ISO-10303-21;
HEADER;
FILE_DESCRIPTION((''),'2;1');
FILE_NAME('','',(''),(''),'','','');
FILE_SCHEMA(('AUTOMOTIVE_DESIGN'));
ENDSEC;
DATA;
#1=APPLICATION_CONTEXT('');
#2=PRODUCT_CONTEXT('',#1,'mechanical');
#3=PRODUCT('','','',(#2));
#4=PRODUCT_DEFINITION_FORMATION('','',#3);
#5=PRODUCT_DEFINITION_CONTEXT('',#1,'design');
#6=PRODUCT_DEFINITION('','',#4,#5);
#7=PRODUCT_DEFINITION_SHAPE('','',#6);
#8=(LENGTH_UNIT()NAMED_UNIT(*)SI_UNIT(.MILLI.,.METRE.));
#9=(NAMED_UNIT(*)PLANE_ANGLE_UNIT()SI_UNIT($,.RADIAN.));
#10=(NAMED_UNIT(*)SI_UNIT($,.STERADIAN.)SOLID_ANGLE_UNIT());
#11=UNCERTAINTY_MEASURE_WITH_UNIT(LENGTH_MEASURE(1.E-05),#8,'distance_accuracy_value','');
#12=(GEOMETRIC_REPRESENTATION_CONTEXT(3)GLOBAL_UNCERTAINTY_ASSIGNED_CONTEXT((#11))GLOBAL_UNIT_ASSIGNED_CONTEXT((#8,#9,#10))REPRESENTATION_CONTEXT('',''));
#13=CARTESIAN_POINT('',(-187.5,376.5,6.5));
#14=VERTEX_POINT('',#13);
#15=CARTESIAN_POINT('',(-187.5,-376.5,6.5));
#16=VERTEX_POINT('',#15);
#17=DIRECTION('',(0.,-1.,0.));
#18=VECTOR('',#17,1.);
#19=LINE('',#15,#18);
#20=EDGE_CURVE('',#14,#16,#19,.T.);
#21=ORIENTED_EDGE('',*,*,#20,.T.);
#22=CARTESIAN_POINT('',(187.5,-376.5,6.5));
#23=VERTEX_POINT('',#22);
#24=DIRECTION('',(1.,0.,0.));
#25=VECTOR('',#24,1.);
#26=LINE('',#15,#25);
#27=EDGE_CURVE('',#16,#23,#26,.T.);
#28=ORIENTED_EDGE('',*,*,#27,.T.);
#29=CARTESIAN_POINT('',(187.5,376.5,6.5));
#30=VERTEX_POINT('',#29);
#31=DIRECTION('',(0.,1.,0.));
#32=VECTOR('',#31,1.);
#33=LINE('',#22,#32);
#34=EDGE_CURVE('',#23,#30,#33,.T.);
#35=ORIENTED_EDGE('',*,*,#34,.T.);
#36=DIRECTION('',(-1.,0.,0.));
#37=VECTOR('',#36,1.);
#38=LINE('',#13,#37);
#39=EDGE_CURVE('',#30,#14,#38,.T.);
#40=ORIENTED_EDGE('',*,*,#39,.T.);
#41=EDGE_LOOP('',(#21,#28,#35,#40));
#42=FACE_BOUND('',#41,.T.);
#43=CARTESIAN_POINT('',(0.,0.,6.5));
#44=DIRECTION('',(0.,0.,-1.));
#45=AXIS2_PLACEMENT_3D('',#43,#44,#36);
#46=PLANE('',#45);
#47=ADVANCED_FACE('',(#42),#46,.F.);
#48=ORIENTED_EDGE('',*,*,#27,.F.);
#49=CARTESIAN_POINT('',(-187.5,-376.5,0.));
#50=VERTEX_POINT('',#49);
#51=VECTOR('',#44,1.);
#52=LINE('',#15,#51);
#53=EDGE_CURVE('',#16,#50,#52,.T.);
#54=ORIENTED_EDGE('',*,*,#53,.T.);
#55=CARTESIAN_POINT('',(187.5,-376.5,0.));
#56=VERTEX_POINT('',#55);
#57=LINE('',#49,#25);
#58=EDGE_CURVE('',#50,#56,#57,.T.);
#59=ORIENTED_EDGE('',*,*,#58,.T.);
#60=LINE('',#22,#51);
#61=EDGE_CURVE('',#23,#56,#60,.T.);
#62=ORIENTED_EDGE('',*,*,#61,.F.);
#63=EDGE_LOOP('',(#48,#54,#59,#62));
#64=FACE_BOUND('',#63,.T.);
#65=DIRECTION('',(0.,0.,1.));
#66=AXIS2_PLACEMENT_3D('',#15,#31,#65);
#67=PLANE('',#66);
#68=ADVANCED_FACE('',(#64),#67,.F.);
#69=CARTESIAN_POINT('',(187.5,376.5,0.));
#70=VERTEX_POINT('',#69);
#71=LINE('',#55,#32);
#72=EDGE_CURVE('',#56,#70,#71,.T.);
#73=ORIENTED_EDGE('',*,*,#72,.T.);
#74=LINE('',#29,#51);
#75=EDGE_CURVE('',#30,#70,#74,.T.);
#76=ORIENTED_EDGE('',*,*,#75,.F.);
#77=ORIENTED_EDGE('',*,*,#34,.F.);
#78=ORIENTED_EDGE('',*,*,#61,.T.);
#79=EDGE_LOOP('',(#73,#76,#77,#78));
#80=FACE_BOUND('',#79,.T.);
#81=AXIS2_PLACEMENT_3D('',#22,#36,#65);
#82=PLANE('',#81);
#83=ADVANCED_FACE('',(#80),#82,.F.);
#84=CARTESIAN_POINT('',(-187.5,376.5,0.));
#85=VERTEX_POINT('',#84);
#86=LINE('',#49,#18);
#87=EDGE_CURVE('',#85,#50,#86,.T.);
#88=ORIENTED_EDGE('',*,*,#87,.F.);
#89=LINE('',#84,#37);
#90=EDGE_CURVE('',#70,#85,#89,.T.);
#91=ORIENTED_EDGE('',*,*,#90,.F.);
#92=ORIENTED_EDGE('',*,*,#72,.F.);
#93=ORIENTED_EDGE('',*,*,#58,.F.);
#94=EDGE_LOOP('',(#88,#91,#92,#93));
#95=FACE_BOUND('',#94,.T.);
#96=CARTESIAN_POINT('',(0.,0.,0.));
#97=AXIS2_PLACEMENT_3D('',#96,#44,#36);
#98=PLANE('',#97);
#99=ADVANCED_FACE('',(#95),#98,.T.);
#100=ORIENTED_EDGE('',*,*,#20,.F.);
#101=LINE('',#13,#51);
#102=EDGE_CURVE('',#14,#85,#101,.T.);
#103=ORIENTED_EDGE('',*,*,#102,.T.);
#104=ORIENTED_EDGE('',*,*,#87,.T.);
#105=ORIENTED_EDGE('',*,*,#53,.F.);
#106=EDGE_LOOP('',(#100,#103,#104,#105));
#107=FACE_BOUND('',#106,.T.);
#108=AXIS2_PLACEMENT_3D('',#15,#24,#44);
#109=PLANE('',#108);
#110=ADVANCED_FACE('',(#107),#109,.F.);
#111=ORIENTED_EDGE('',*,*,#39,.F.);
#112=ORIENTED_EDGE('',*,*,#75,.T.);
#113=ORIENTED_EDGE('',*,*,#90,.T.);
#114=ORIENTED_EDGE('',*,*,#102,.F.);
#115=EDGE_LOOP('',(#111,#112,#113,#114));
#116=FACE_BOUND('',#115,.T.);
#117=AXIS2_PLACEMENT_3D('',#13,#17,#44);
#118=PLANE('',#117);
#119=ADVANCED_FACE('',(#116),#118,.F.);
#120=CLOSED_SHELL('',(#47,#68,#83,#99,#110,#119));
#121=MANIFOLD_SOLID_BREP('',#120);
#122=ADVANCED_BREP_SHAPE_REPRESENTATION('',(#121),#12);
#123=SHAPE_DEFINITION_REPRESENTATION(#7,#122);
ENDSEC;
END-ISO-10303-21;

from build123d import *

# Parameters (mm, degrees)
ESQUISSE1_W        = 375
ESQUISSE1_H        = 753
BOSS_EXTRU_1_DEPTH = 6.5


with BuildPart() as part:
    # Esquisse1 → Boss.-Extru.1 (new body)
    with BuildSketch(Plane.XY):
        Rectangle(ESQUISSE1_W, ESQUISSE1_H)
    extrude(amount=BOSS_EXTRU_1_DEPTH)


solid = part.part
